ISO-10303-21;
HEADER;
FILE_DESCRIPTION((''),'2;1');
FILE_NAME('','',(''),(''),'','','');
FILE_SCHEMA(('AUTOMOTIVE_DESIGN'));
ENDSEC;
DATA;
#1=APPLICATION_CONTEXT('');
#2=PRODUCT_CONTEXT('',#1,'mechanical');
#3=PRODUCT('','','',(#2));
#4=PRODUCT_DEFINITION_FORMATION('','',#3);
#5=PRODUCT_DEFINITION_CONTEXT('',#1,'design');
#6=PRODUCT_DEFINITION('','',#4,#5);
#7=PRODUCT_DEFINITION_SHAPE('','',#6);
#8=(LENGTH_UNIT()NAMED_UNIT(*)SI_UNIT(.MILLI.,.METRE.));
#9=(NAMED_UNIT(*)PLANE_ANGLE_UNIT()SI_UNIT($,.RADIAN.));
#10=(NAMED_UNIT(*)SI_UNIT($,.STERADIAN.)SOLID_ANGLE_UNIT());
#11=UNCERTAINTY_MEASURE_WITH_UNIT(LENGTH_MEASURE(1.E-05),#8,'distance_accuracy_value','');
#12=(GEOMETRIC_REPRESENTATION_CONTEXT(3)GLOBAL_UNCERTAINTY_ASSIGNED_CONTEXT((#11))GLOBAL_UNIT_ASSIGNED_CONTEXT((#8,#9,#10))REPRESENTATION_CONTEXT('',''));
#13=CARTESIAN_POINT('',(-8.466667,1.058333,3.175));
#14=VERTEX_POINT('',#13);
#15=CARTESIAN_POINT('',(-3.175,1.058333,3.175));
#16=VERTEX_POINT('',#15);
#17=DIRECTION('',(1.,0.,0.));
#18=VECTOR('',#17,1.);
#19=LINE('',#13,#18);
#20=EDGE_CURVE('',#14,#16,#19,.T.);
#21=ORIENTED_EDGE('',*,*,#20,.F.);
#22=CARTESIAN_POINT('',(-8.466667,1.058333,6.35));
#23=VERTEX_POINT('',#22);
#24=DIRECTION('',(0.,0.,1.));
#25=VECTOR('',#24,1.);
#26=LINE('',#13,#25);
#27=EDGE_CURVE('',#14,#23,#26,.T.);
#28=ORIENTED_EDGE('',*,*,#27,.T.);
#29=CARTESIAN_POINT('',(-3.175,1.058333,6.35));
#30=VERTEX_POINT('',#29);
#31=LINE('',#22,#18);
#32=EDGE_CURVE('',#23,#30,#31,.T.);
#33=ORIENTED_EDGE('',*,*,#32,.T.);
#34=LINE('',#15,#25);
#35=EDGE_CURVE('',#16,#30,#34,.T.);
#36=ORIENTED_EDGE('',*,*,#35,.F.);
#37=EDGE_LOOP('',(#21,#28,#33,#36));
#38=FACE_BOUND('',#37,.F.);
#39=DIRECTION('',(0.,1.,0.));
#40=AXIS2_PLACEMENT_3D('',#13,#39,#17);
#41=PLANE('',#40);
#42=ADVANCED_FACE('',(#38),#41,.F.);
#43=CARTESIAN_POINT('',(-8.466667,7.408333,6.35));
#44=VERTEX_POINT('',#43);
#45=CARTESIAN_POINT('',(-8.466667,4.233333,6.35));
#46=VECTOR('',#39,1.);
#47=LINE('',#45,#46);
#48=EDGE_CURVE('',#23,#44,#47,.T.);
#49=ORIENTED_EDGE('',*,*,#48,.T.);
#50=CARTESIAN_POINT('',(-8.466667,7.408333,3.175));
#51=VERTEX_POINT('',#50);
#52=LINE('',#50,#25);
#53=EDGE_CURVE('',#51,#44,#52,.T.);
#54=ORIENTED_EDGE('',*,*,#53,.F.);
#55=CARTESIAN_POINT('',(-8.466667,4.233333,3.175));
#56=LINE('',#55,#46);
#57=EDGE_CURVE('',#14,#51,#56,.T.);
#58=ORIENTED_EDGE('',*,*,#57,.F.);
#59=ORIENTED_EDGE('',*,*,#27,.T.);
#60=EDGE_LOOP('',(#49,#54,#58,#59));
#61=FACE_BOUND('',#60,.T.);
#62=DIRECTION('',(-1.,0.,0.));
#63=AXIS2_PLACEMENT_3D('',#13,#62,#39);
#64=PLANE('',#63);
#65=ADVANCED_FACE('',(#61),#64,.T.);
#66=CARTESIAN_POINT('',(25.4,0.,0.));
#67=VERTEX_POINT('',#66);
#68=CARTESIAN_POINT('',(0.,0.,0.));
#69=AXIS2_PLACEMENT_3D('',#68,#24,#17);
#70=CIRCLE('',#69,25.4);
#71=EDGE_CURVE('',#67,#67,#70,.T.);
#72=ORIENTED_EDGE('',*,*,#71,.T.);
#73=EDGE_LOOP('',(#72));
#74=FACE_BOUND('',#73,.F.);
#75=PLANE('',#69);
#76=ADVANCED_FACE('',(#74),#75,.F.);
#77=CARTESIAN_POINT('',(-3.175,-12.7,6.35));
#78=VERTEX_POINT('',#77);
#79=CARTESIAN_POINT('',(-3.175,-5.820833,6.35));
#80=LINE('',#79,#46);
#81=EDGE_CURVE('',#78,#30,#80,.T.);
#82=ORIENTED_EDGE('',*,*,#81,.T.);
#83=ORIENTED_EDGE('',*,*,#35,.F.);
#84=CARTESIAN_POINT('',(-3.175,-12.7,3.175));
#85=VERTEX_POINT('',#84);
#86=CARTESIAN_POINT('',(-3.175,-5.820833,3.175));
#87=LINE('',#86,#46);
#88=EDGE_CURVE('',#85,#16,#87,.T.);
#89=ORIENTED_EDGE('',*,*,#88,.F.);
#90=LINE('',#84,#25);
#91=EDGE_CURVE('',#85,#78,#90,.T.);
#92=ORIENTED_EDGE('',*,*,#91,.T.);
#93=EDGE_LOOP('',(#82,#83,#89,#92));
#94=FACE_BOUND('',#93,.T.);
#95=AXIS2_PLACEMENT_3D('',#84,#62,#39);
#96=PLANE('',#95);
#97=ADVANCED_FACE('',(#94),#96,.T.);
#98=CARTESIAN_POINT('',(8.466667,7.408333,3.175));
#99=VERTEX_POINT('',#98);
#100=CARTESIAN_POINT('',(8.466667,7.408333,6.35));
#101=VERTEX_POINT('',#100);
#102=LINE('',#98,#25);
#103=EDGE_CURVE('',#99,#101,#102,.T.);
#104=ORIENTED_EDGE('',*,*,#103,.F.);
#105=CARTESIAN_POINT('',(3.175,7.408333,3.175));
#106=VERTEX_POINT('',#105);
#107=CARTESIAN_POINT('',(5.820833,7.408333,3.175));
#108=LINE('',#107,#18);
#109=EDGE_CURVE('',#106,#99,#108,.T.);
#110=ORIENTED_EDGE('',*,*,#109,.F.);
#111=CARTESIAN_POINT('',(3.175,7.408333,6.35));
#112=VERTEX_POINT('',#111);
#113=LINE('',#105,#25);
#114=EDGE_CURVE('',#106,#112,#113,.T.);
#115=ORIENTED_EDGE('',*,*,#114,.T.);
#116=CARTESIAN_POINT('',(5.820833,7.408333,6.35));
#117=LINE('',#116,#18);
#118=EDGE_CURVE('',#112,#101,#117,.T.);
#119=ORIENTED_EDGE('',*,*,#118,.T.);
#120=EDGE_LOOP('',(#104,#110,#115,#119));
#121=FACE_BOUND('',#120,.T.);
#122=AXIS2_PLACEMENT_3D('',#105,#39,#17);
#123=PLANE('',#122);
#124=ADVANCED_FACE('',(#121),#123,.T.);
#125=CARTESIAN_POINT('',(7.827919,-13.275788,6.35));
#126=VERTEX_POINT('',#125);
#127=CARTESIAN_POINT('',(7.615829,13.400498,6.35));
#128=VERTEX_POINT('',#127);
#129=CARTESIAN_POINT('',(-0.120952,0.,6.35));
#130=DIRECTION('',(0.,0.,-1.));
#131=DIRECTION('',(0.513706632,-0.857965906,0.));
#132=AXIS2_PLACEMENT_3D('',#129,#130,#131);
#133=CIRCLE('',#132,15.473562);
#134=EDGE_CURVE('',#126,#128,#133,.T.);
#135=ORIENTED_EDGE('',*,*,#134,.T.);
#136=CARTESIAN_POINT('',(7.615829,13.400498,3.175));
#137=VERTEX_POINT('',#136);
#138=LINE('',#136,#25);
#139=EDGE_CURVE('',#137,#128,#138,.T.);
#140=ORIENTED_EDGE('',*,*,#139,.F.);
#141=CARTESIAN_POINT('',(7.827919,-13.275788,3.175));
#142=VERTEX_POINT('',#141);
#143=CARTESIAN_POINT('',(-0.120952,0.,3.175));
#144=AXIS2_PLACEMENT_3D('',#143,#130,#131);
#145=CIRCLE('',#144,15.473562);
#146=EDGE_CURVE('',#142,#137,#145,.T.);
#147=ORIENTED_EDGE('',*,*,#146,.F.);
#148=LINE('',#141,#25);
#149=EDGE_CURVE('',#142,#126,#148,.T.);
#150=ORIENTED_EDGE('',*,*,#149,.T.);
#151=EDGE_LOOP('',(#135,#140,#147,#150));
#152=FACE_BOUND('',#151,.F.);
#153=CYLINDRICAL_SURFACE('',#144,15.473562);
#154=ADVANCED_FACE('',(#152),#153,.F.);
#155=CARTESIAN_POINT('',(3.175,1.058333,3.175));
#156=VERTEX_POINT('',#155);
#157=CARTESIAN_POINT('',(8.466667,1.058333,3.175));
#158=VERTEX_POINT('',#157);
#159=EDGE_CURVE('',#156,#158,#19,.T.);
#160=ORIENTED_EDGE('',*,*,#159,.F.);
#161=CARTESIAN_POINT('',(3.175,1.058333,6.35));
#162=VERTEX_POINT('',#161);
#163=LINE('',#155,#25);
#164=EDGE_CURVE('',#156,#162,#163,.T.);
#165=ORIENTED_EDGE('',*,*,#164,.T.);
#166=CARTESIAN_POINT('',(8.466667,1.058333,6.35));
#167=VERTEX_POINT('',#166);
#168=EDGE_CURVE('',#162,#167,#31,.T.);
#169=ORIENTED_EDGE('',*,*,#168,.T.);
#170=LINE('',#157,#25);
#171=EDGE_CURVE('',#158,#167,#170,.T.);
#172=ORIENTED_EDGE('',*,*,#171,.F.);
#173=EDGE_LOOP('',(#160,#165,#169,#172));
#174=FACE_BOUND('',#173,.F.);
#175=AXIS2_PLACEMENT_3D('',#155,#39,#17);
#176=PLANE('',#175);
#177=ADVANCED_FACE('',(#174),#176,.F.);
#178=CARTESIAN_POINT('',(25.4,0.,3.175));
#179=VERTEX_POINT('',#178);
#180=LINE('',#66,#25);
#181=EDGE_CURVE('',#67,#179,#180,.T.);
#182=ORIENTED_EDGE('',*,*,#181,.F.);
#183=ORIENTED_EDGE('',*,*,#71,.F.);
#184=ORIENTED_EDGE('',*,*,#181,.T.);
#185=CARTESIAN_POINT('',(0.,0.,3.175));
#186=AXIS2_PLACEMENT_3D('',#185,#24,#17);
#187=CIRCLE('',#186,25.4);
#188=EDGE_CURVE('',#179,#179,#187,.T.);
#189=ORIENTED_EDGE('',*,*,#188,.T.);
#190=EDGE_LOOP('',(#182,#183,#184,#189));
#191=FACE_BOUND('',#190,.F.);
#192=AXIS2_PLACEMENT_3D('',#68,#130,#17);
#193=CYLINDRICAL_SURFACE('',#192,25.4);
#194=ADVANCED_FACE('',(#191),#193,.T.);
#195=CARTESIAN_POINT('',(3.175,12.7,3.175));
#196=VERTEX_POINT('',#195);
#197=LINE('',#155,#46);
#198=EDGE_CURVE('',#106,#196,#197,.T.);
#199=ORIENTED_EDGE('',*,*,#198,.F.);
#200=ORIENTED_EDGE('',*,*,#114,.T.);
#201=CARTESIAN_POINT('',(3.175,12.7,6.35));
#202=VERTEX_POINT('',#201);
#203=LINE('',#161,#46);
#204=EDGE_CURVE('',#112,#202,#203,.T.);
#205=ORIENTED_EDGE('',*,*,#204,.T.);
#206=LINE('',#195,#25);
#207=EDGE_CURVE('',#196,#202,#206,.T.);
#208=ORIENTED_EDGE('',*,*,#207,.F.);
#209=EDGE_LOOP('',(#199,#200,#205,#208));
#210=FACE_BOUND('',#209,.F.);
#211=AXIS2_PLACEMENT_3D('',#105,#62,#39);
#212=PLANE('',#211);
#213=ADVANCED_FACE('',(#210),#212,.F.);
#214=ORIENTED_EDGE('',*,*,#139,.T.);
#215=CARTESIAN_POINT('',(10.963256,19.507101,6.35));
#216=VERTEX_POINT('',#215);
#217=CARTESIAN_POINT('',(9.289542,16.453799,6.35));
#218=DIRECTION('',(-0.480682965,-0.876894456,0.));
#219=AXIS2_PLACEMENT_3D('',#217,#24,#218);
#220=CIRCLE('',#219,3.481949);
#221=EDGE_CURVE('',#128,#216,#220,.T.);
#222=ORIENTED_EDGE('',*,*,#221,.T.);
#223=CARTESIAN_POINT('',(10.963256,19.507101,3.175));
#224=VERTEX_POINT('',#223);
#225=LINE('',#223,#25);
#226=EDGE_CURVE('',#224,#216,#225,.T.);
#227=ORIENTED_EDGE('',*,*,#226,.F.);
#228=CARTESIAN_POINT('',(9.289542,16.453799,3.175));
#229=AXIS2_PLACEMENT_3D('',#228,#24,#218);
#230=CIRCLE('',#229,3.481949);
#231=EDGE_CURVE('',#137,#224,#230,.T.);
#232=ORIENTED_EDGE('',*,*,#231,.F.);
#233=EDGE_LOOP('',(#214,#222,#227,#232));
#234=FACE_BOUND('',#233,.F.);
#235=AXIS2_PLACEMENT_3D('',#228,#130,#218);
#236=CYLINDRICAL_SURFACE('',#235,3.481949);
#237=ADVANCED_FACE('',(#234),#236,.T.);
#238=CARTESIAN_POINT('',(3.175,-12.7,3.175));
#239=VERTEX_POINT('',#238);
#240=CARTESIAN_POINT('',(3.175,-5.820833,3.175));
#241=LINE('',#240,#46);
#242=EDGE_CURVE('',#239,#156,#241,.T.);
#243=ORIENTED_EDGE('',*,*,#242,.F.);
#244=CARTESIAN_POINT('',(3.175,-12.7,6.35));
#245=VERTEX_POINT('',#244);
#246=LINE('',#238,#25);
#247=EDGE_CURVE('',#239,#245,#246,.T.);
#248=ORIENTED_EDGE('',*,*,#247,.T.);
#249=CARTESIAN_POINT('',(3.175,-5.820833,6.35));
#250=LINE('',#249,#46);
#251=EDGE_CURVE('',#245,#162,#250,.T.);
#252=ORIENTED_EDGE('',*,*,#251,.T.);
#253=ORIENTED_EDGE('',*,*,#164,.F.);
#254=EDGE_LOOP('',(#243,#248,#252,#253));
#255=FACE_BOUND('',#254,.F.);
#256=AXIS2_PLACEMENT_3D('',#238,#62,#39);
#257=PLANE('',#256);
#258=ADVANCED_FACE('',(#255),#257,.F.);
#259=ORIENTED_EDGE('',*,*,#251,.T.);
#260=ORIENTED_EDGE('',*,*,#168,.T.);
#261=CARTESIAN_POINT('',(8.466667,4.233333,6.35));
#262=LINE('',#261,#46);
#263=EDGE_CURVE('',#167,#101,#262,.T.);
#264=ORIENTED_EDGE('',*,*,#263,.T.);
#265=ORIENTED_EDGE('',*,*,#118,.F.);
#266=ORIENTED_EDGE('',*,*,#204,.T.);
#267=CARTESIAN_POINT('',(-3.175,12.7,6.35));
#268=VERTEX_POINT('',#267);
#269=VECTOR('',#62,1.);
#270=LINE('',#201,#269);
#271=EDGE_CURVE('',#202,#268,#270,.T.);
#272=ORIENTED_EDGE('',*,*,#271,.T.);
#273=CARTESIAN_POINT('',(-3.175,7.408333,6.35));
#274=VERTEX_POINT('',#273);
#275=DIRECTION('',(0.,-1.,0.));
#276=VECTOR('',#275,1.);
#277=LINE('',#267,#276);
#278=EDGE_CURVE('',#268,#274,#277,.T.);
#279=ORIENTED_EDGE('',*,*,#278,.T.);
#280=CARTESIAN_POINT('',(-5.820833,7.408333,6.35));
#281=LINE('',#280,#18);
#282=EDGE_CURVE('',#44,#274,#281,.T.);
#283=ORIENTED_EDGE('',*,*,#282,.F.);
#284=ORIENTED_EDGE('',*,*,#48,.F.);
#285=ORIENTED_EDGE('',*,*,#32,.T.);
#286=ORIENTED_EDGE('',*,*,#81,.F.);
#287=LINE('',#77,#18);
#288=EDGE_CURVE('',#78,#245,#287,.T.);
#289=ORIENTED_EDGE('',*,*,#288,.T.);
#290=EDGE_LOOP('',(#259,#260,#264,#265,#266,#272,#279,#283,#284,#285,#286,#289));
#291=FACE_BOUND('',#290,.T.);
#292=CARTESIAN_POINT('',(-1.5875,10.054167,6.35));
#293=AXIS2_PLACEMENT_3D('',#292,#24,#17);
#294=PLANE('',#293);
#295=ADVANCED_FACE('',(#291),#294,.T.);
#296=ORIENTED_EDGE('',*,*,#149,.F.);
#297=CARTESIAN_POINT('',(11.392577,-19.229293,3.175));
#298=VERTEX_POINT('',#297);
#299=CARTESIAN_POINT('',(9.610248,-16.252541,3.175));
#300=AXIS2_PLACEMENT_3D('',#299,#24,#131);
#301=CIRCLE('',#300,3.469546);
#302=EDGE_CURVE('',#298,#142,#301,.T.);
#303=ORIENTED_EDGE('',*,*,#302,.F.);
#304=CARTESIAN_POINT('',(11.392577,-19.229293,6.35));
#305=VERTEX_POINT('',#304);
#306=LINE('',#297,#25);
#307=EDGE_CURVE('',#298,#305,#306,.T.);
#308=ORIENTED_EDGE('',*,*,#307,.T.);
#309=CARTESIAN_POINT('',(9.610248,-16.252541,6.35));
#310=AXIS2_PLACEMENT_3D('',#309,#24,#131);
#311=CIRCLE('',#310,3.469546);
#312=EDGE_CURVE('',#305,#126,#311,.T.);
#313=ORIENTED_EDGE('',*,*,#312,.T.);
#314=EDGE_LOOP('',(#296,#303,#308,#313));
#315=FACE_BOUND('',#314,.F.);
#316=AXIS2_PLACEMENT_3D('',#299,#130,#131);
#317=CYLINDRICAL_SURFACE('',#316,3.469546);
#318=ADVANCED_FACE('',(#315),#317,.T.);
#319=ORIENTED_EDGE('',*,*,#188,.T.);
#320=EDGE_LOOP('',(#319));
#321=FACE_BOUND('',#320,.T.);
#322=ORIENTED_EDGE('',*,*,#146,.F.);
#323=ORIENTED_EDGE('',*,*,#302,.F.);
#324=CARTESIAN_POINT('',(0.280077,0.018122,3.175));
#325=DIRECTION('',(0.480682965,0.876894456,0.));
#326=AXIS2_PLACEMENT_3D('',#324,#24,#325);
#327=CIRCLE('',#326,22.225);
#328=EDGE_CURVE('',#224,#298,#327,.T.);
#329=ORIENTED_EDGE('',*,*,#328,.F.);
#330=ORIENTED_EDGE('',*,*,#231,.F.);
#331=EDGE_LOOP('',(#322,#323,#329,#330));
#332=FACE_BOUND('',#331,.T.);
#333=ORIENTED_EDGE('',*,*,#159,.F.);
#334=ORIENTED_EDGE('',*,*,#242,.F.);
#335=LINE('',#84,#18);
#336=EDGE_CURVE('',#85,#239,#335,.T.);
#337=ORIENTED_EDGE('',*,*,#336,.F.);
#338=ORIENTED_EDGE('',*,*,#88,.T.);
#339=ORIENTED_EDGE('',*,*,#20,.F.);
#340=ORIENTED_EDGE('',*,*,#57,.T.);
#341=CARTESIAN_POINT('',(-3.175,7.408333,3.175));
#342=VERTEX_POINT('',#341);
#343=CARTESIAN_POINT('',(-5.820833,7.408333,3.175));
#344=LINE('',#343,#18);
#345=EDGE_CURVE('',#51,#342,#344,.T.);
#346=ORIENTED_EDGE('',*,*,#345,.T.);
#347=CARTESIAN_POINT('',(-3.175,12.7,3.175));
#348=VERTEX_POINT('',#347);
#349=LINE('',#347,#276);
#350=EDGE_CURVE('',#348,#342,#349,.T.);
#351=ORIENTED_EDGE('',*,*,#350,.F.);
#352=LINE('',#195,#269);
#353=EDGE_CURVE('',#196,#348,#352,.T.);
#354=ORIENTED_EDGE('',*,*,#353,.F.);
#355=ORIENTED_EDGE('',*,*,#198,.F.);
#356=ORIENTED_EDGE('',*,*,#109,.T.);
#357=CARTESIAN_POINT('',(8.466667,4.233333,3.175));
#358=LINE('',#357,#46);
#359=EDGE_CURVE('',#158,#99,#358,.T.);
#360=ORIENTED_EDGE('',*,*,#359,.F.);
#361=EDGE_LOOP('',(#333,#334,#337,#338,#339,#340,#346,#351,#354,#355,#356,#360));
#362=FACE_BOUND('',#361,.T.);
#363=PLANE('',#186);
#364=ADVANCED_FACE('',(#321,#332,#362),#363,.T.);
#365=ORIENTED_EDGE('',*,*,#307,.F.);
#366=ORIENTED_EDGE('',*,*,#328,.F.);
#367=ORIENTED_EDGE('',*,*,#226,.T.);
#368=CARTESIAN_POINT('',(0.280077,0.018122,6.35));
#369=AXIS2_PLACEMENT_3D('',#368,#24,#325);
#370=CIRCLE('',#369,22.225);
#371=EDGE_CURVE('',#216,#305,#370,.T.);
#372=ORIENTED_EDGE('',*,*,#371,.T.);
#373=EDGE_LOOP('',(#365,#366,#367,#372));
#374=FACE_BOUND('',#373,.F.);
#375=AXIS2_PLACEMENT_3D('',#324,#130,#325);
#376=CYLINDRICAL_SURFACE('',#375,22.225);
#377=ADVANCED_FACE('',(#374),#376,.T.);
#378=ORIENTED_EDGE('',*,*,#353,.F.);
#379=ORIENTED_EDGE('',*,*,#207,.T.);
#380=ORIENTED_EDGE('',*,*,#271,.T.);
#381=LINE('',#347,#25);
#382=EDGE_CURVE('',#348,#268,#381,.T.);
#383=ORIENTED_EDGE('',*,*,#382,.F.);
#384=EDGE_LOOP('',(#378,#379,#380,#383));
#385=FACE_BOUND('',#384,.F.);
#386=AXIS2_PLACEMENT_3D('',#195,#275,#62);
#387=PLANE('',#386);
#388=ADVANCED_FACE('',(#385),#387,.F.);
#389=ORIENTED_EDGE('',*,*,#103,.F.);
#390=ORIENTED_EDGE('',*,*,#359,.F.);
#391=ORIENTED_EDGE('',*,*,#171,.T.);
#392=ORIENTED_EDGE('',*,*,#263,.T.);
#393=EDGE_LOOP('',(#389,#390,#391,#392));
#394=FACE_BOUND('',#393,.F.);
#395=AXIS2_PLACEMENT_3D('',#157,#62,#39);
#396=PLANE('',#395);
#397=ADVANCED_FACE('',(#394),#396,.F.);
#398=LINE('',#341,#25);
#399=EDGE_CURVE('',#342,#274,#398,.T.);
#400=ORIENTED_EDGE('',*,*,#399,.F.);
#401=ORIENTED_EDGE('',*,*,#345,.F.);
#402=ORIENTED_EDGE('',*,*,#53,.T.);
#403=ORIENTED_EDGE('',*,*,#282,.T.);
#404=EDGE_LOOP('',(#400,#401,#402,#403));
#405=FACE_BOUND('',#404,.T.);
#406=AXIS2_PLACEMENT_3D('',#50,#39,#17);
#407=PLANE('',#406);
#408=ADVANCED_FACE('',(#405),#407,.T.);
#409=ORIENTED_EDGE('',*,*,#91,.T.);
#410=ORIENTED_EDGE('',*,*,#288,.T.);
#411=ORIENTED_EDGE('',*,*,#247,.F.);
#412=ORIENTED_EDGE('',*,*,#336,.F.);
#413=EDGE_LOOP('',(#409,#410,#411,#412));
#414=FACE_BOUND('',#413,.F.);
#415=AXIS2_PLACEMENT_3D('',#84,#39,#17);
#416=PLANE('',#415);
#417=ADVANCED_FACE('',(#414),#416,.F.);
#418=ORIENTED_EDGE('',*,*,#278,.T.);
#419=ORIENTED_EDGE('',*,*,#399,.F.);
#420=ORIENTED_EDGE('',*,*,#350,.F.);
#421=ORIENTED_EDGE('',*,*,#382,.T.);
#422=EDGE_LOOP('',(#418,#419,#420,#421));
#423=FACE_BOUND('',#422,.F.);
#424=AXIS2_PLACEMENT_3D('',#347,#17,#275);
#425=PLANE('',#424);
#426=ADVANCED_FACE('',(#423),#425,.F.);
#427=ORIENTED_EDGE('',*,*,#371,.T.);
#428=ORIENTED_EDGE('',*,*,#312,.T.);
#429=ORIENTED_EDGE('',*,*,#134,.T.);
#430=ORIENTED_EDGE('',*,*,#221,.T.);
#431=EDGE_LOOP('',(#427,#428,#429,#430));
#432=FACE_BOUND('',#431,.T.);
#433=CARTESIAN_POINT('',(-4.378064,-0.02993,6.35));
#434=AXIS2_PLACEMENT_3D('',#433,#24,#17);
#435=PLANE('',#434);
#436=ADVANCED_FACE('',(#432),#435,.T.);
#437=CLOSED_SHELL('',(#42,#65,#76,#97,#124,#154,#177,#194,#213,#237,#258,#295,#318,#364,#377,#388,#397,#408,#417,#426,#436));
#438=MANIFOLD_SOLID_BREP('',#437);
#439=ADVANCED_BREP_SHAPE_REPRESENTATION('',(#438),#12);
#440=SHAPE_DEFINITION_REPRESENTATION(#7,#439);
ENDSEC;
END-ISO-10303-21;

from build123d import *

# Parameters (mm, degrees)
F0_R     = 25.4
F1_DEPTH = 3.175
F2_W     = 3.175
F2_H     = 5.2916666667
F2_H_2   = 6.35
F2_W_2   = 5.2916666667
F2_H_3   = 13.7583333333
F3_DEPTH = 3.175


with BuildPart() as f1:
    # F0 (on Top) → F1 (new body)
    with BuildSketch(Plane.XY):
        Circle(F0_R)
    extrude(amount=F1_DEPTH)

    # F2 (on face) → F3 (join)
    with BuildSketch(Plane.XY.offset(3.175)):
        with BuildLine():
            ThreePointArc((7.6158286859, 13.4004975857), (12.3428438476, 14.7800857354), (10.9632556979, 19.507100897))
            ThreePointArc((10.9632556979, 19.507100897), (-21.9435583177, -0.2281861691), (11.3925767917, -19.2292929842))
            ThreePointArc((11.3925767917, -19.2292929842), (12.5870002145, -14.4702118742), (7.8279191045, -13.2757884514))
            ThreePointArc((7.8279191045, -13.2757884514), (-15.5940249542, -0.1230190166), (7.6158286859, 13.4004975857))
        make_face()
        with Locations((-1.5875, 10.0541666667)):
            Rectangle(F2_W, F2_H)
        with Locations((1.5875, 10.0541666667)):
            Rectangle(F2_W, F2_H)
        with Locations((1.5875, 4.2333333333)):
            Rectangle(F2_W, F2_H_2)
        with Locations((5.8208333333, 4.2333333333)):
            Rectangle(F2_W_2, F2_H_2)
        with Locations((-1.5875, 4.2333333333)):
            Rectangle(F2_W, F2_H_2)
        with Locations((-5.8208333333, 4.2333333333)):
            Rectangle(F2_W_2, F2_H_2)
        with Locations((-1.5875, -5.8208333333)):
            Rectangle(F2_W, F2_H_3)
        with Locations((1.5875, -5.8208333333)):
            Rectangle(F2_W, F2_H_3)
    extrude(amount=F3_DEPTH)


solid = f1.part
